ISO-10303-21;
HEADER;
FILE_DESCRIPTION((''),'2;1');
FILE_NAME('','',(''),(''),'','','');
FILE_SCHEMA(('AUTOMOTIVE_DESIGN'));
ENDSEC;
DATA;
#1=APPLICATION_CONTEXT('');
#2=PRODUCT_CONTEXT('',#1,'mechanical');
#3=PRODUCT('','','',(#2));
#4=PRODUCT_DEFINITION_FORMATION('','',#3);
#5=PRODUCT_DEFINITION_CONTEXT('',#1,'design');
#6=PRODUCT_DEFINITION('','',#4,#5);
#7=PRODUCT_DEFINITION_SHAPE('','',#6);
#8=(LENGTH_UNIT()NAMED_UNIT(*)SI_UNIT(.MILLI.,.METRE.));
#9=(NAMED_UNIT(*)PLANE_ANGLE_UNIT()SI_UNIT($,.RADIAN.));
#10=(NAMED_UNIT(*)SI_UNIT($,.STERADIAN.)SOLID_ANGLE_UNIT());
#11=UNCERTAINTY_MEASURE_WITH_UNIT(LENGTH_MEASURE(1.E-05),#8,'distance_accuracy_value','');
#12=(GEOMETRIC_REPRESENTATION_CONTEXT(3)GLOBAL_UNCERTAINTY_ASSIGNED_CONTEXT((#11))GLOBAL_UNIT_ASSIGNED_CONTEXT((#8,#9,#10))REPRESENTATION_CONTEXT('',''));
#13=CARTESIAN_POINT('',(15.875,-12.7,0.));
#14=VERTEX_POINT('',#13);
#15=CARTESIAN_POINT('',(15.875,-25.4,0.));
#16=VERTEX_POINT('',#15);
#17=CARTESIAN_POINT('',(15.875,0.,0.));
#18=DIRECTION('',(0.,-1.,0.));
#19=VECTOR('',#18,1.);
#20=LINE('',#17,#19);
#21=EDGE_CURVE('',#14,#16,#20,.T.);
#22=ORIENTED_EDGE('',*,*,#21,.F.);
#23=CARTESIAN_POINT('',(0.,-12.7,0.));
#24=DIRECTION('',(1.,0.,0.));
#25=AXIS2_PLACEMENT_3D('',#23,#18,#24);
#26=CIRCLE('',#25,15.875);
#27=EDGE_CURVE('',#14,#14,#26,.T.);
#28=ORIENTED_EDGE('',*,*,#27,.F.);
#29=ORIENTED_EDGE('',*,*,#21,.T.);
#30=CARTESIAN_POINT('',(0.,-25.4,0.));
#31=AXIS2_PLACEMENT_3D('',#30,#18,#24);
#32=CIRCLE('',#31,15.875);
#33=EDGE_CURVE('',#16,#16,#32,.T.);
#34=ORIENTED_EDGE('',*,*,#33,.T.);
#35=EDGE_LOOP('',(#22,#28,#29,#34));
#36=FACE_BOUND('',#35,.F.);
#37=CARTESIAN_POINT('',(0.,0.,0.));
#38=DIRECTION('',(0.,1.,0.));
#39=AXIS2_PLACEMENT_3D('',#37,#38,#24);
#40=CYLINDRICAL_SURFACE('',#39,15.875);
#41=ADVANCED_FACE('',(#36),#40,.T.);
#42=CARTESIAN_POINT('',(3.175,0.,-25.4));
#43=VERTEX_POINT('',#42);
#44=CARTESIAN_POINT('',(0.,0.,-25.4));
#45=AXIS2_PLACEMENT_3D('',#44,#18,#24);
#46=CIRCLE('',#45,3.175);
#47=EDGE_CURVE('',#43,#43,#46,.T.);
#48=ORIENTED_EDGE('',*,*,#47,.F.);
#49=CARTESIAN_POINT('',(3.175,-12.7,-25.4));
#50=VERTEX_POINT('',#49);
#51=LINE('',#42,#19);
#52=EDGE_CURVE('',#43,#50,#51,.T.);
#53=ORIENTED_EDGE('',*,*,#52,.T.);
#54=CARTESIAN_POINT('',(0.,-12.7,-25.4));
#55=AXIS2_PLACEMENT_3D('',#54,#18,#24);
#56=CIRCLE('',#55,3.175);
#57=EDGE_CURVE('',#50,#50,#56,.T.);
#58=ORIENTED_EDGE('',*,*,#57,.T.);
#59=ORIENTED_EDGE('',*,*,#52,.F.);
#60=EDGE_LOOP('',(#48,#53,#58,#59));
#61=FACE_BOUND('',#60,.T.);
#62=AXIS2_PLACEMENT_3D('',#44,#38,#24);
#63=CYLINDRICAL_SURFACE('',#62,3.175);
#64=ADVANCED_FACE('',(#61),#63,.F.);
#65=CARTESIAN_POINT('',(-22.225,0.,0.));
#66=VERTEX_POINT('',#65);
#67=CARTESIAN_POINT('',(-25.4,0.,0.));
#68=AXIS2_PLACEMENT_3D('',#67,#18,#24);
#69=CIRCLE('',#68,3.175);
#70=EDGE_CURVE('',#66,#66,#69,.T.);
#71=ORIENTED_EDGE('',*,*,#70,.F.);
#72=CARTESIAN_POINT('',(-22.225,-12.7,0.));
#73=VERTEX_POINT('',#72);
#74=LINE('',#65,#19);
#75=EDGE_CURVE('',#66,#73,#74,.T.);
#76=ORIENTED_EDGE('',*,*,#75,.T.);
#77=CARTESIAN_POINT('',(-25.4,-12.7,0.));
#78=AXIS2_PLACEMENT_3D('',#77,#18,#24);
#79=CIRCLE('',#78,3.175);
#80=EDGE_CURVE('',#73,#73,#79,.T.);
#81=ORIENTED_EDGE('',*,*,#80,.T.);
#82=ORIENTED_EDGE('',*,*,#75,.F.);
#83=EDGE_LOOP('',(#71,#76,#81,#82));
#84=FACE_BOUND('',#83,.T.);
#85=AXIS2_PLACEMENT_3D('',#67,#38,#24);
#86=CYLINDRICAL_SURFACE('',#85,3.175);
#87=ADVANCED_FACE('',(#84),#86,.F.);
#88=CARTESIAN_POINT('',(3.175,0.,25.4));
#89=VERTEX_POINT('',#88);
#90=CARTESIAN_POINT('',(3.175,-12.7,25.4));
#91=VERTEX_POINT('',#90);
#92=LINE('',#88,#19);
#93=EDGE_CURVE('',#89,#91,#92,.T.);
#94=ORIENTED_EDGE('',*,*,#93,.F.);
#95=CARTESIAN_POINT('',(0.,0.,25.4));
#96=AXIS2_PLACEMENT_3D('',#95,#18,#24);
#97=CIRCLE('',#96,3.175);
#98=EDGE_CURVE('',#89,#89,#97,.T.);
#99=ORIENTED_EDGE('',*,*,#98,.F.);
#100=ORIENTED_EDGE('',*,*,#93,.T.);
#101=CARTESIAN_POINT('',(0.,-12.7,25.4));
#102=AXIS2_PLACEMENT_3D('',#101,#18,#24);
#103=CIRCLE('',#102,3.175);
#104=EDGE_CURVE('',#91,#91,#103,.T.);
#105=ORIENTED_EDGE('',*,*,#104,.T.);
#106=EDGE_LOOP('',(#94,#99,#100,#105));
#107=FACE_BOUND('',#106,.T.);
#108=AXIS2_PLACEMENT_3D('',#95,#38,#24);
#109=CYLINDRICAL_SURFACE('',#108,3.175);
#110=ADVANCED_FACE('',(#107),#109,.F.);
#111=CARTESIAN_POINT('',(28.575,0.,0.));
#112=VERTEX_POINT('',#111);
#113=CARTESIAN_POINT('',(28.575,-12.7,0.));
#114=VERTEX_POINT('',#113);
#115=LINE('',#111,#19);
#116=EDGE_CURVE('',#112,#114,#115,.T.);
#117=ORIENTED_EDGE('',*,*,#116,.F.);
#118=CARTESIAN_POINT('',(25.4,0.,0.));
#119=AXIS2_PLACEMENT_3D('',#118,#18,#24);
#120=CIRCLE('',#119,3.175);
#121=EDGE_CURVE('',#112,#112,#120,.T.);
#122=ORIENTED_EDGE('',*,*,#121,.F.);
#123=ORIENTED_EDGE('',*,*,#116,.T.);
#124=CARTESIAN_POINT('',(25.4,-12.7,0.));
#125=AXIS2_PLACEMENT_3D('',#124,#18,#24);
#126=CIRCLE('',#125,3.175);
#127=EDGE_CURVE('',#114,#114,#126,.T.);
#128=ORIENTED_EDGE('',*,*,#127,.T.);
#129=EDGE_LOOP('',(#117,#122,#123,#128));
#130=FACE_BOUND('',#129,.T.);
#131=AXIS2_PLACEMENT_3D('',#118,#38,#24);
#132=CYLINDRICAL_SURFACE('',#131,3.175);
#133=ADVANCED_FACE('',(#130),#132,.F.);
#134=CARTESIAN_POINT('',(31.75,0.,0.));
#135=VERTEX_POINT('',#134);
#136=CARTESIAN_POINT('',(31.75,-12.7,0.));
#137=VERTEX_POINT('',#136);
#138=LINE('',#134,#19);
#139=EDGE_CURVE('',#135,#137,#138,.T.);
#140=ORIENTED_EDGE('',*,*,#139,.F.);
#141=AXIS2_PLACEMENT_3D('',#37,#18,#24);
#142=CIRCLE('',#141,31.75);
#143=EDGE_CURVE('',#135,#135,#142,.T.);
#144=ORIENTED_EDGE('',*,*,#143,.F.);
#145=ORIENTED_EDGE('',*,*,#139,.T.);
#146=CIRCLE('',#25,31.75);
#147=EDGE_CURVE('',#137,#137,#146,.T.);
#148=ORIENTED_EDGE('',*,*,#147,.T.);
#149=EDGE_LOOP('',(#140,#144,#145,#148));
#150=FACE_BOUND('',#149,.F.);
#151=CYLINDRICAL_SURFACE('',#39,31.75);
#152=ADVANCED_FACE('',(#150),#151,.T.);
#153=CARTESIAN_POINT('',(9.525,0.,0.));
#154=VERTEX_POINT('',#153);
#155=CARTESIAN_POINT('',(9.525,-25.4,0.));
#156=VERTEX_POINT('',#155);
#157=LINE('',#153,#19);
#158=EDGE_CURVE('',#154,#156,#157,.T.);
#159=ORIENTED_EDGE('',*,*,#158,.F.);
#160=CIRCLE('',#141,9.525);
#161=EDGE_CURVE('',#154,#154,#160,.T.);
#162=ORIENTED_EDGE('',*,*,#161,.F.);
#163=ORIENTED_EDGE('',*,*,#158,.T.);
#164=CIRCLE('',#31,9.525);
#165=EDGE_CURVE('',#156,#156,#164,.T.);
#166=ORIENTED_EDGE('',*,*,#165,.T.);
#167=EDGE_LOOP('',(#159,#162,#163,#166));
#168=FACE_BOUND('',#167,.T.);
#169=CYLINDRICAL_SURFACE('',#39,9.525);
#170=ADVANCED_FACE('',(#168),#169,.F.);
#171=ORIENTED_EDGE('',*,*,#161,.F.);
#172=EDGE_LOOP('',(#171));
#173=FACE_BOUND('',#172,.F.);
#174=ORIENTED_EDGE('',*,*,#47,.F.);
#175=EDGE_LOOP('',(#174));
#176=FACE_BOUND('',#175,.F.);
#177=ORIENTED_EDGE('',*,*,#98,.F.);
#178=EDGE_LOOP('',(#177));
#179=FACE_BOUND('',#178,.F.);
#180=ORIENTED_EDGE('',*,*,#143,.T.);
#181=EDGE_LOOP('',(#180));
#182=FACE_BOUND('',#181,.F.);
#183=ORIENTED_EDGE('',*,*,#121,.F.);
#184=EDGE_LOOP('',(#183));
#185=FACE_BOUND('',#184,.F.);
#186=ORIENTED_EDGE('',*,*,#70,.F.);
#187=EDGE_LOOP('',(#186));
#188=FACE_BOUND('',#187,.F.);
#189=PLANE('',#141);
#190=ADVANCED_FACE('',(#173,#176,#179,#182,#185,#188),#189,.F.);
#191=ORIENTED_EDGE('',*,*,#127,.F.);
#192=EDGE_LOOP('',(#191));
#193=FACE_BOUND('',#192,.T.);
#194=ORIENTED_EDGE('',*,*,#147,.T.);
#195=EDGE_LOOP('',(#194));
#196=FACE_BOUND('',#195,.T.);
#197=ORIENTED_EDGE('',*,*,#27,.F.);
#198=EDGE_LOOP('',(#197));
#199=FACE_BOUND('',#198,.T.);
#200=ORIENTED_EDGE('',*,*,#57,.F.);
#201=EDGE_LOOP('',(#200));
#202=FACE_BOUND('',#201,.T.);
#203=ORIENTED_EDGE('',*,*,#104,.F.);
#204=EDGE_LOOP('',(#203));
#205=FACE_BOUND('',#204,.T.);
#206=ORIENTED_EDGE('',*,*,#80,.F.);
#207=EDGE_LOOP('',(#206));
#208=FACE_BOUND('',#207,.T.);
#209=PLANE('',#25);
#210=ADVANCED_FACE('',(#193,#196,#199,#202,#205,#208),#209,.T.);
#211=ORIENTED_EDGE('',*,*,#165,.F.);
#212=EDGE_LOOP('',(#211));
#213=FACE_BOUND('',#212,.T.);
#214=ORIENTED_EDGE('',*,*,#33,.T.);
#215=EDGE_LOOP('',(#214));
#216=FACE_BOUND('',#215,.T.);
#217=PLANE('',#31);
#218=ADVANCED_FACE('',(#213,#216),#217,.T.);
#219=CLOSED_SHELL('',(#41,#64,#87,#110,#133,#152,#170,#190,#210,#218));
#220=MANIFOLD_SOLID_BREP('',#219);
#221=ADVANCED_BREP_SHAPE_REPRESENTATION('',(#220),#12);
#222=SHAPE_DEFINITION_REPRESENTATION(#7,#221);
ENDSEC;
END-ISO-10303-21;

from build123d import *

# Parameters (mm, degrees)
F0_R     = 31.75
F0_R_2   = 3.175
F0_R_3   = 15.875
F1_DEPTH = 12.7
F0_R_4   = 9.525
F2_DEPTH = 25.4


with BuildPart() as f1:
    # F0 (on Front) → F1 (new body)
    with BuildSketch(Plane.XZ):
        Circle(F0_R)
        with Locations((0, -25.4)):
            Circle(F0_R_2, mode=Mode.SUBTRACT)
        with Locations((-25.4, 0)):
            Circle(F0_R_2, mode=Mode.SUBTRACT)
        Circle(F0_R_3, mode=Mode.SUBTRACT)
        with Locations((25.4, 0)):
            Circle(F0_R_2, mode=Mode.SUBTRACT)
        with Locations((0, 25.4)):
            Circle(F0_R_2, mode=Mode.SUBTRACT)
    extrude(amount=F1_DEPTH)

    # F0 (on Front) → F2 (join)
    with BuildSketch(Plane.XZ):
        Circle(F0_R_3)
        Circle(F0_R_4, mode=Mode.SUBTRACT)
    extrude(amount=F2_DEPTH)


solid = f1.part
